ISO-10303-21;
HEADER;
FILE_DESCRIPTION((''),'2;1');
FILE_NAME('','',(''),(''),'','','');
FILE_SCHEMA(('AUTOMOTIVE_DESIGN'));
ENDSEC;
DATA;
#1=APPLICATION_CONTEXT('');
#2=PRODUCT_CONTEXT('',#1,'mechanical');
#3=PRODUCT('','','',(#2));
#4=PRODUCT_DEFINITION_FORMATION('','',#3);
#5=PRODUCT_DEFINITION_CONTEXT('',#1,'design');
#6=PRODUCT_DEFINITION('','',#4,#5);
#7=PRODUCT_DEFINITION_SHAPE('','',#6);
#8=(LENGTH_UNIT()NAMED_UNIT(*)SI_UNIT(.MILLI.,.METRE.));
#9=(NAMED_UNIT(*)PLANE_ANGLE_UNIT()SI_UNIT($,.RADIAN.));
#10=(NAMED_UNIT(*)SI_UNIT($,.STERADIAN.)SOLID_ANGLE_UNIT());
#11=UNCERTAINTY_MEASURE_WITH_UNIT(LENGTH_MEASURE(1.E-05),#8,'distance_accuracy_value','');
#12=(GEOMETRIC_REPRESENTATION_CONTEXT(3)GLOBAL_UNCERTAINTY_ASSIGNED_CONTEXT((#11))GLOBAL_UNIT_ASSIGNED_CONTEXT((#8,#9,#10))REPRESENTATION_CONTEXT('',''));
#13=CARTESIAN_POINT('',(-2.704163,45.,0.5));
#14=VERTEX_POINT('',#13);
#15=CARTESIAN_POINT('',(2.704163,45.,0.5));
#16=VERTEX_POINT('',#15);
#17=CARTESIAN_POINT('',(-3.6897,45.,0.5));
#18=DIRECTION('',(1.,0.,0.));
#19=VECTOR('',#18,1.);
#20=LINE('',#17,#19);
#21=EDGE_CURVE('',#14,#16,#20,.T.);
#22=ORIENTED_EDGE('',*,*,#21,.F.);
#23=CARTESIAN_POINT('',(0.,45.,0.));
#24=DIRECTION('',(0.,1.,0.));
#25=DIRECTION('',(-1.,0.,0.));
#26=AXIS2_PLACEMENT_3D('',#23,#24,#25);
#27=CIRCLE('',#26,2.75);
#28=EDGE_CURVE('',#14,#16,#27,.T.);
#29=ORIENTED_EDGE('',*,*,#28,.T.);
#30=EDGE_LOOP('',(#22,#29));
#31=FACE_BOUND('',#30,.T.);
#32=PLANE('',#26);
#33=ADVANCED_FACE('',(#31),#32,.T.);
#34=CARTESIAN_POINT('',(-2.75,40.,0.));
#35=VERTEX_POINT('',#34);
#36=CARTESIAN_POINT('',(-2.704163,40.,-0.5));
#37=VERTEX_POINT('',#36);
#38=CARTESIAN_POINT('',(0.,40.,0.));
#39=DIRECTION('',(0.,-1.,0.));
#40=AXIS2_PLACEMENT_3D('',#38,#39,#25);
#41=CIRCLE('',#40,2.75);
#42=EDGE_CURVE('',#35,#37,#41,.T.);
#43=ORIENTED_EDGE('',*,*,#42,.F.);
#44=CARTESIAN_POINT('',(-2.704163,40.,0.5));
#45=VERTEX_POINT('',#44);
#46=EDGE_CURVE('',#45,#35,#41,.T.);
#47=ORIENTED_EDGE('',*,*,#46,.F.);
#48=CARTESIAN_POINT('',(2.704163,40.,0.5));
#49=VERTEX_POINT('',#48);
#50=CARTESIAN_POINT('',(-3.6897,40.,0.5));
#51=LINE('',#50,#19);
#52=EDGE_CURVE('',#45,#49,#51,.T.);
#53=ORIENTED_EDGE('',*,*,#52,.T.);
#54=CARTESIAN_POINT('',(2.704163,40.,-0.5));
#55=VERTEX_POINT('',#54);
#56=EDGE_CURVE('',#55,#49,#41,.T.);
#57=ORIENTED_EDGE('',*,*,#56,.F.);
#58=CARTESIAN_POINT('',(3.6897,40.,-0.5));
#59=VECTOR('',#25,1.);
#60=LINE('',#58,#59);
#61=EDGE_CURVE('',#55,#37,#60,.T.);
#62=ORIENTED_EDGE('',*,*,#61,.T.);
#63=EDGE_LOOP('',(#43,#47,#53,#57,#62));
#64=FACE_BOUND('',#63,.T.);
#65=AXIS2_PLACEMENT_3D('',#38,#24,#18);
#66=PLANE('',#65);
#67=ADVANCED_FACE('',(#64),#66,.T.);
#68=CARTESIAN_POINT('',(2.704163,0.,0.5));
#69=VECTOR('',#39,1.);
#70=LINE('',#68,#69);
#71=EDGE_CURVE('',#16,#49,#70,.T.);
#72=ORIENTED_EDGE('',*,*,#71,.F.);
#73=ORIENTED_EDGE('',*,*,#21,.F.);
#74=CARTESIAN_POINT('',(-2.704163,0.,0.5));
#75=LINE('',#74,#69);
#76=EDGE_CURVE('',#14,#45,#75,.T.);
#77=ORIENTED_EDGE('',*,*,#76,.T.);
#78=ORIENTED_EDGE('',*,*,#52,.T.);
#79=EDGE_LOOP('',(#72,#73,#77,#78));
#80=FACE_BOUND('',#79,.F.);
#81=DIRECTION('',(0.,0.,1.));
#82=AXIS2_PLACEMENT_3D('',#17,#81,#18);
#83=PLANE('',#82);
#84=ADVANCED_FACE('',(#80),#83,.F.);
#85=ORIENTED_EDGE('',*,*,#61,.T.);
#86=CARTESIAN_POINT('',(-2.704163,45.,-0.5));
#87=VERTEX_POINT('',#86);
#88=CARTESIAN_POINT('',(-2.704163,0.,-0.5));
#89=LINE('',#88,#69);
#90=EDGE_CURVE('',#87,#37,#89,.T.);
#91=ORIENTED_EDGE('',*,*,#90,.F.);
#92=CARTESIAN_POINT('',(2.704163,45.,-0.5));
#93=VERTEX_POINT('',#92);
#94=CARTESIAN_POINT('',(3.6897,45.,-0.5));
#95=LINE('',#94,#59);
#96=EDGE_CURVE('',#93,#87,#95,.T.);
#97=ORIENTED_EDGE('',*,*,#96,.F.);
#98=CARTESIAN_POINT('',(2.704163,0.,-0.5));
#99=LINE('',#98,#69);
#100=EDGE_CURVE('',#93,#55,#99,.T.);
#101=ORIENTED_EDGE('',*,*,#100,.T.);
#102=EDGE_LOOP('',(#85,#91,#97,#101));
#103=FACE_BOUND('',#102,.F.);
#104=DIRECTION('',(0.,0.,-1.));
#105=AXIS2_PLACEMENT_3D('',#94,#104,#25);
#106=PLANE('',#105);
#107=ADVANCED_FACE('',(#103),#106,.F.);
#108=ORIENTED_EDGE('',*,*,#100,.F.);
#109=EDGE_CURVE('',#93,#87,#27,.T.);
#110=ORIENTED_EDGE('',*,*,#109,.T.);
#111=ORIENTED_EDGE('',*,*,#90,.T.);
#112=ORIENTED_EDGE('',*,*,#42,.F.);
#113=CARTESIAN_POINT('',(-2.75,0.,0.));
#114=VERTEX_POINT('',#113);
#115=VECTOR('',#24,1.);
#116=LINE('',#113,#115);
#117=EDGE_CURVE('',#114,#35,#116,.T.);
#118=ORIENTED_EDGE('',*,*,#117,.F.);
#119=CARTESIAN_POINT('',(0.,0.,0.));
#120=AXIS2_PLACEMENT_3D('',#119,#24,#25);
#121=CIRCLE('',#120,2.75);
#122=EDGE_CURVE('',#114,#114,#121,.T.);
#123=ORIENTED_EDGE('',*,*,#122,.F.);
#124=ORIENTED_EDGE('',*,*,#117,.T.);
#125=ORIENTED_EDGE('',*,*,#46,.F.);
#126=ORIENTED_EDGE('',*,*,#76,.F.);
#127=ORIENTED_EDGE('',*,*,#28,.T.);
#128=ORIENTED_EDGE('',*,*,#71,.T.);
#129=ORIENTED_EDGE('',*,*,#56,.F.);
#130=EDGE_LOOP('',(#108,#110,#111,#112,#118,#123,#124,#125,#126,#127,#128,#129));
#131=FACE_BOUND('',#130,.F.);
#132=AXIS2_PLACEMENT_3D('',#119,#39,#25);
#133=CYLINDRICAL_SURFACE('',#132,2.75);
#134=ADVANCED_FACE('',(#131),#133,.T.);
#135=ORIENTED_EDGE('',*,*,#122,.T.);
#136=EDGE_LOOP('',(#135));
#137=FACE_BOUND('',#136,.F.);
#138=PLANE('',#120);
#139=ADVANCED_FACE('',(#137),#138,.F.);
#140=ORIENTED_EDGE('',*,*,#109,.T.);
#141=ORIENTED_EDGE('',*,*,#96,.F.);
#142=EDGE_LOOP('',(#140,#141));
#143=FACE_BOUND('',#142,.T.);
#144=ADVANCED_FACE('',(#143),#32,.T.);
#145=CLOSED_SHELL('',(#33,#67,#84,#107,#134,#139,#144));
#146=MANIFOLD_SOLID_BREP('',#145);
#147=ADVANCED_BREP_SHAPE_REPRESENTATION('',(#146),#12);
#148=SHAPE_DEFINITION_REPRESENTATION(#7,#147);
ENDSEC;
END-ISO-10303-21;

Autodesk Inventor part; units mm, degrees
ref_plane "YZ Plane" through (0, 0, 0) normal (1, 0, 0) x (0, 1, 0)
ref_plane "XZ Plane" through (0, 0, 0) normal (0, 1, 0) x (-1, 0, 0)
ref_plane "XY Plane" through (0, 0, 0) normal (0, 0, 1) x (1, 0, 0)
sketch "Sketch1" plane through (0, 0, 0) normal (0, 1, 0) x (-1, 0, 0)
  circle A0 centre (0, 0) radius 2.75
  dimension "d0" = 5.5
extrude "Extrusion1" add sketch "Sketch1" along normal blind 45
sketch "Sketch2" plane through (0, 45, 0) normal (0, 1, 0) x (1, 0, 0)
  line L0 (3.6897, -0.5) -> (3.6897, 0.5)
  line L1 (3.6897, 0.5) -> (-3.6897, 0.5)
  line L2 (-3.6897, 0.5) -> (-3.6897, -0.5)
  line L3 (-3.6897, -0.5) -> (3.6897, -0.5)
  line L4 (3.6897, -0.5) -> (-3.6897, 0.5) construction
  line L5 (3.6897, 0.5) -> (-3.6897, -0.5) construction
  point P0 (0, 0)
  dimension "d3" = 1
extrude "Extrusion2" cut sketch "Sketch2" against normal blind 5
properties part number "Solenoid Interior"
